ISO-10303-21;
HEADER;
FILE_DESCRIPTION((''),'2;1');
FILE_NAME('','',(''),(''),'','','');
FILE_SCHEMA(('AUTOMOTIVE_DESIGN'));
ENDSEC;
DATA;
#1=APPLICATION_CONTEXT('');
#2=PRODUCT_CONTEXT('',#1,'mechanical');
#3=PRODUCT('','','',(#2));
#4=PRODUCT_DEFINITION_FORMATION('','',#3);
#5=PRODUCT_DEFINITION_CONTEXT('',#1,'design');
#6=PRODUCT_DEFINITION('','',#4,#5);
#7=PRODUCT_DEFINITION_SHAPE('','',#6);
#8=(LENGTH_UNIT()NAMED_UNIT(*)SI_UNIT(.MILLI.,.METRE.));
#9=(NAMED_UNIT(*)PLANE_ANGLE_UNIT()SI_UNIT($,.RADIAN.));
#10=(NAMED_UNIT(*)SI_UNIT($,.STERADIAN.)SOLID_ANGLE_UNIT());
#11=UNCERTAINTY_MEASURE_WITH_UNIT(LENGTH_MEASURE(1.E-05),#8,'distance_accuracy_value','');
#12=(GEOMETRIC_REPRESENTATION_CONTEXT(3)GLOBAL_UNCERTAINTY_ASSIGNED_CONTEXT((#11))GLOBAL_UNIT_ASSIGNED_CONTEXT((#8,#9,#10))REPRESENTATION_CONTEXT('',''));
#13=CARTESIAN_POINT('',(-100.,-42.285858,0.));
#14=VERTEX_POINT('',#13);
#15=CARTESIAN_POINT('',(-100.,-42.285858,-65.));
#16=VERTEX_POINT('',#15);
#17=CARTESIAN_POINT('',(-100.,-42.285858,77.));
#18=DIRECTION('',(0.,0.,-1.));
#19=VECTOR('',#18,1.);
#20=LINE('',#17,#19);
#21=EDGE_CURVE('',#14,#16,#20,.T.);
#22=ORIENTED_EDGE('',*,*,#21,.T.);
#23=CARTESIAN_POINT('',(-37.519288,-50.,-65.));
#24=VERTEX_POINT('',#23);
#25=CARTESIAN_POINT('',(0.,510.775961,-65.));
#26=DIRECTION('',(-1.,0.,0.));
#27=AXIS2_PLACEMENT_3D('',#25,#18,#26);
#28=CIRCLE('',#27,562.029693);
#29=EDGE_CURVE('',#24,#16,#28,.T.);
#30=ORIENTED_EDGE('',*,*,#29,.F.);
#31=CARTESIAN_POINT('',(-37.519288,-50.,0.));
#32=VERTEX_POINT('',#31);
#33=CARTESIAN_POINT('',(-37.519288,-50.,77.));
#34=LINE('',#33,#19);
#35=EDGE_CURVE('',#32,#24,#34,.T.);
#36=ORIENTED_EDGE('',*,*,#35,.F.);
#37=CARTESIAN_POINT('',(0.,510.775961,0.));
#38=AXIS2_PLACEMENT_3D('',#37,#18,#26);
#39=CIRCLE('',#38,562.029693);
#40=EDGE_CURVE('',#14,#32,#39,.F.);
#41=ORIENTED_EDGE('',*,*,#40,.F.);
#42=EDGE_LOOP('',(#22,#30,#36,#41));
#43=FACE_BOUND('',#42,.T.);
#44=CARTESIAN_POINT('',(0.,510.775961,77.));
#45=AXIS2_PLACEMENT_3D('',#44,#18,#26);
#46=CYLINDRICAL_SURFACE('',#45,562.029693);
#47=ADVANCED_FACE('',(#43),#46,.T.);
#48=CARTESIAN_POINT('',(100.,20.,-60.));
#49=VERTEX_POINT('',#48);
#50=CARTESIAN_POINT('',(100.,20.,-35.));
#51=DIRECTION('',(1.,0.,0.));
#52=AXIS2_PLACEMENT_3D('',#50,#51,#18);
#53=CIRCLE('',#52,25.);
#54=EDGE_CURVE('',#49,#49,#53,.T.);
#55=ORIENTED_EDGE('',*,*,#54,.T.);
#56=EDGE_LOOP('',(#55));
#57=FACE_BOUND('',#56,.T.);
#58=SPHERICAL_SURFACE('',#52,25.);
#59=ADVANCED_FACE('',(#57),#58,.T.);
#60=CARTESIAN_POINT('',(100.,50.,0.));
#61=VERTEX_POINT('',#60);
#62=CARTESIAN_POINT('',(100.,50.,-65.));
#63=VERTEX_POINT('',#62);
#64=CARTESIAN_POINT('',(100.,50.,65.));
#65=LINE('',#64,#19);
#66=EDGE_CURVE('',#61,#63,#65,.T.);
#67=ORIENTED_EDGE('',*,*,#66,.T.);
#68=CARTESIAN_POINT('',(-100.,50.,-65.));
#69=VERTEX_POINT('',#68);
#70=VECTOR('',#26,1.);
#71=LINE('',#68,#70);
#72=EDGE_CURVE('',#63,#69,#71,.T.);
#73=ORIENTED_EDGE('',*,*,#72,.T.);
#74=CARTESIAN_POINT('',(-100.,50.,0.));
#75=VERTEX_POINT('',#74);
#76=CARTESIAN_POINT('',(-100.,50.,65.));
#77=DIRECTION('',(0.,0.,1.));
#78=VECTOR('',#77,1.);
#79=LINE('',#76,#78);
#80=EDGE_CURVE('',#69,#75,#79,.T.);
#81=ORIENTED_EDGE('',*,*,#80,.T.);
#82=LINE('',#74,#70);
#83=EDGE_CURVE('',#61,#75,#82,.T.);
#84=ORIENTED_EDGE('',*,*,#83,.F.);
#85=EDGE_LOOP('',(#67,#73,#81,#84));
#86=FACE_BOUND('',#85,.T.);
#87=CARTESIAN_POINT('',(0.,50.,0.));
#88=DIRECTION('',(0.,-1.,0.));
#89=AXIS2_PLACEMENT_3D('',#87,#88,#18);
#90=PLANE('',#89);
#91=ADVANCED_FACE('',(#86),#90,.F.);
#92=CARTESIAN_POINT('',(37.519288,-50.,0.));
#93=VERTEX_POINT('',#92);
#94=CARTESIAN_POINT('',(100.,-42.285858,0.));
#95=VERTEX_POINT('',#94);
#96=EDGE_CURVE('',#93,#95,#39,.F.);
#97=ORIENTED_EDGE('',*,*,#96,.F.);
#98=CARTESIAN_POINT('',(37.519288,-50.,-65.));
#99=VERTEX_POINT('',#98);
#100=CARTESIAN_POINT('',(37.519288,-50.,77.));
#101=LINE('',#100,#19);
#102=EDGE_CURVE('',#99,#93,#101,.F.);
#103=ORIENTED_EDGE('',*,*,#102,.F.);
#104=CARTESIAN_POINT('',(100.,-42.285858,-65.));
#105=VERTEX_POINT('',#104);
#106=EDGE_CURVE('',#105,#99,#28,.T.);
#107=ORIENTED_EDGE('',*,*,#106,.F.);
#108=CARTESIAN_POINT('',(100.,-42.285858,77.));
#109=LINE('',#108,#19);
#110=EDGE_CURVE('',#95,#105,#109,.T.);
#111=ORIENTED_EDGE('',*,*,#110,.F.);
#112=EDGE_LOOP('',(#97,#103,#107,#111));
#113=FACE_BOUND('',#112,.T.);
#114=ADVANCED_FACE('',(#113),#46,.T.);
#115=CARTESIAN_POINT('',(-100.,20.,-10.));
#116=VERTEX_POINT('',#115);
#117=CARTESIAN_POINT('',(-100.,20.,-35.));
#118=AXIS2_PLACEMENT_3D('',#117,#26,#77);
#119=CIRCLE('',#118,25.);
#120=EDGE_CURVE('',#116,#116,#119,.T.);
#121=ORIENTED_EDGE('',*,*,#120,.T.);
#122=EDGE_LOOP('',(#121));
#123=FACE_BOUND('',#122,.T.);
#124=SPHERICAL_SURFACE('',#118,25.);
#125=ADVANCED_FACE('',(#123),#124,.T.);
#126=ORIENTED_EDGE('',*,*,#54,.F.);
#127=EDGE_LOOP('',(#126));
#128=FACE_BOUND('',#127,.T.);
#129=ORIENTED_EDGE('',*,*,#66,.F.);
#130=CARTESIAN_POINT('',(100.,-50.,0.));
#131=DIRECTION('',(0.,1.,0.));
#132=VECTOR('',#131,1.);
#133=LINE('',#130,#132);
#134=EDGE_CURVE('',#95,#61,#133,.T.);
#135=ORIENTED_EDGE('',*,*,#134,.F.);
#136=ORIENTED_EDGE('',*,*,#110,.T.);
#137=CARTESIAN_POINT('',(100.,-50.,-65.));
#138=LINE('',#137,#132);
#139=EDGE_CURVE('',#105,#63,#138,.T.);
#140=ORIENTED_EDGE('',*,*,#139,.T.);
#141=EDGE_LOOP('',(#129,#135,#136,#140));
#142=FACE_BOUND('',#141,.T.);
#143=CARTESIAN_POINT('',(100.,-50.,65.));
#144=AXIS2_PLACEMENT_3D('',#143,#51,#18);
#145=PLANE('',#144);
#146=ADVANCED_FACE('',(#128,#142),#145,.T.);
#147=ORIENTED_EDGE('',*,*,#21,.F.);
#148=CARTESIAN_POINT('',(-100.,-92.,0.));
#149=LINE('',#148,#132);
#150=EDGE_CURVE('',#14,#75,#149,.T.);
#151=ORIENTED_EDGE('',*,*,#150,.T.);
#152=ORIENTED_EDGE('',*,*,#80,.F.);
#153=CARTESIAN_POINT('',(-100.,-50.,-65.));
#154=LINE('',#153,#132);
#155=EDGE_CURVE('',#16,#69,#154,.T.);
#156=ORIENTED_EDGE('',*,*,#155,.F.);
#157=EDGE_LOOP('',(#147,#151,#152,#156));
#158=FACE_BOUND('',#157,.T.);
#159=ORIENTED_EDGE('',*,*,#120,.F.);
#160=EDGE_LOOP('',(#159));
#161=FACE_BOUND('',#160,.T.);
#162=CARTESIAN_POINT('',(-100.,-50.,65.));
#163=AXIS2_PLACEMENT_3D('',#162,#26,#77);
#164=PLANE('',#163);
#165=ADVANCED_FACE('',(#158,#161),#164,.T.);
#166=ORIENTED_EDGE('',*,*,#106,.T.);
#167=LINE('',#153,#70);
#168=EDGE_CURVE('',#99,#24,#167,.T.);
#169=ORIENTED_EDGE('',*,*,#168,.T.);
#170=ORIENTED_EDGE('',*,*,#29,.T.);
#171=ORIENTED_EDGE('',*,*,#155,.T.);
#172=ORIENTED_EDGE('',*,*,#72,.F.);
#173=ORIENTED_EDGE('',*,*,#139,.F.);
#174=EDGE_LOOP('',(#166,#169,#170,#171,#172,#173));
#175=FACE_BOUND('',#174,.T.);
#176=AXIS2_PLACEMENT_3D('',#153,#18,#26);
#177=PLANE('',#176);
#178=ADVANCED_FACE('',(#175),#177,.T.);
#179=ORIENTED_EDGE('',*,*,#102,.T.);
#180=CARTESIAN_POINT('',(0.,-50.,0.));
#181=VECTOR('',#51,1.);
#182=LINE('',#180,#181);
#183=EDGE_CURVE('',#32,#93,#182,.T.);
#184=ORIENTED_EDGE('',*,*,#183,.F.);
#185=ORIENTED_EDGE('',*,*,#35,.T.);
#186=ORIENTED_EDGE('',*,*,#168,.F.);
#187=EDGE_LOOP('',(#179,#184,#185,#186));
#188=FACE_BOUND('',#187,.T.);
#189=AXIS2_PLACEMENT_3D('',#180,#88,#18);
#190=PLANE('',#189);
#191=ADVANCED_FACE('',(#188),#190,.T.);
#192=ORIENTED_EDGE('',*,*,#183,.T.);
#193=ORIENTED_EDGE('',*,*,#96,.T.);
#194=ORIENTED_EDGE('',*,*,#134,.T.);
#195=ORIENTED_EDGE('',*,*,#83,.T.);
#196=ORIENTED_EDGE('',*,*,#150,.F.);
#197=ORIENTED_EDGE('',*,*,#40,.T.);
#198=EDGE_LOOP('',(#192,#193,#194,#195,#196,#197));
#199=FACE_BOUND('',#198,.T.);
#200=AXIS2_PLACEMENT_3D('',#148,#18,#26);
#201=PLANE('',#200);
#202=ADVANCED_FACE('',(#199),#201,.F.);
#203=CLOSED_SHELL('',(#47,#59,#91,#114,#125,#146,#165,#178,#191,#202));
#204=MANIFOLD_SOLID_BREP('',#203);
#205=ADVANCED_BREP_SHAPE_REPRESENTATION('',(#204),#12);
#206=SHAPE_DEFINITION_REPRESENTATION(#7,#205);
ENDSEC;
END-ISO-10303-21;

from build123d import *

# Parameters (mm, degrees)
BOSS_EXTRUDE1_DEPTH      = 50
BOSS_EXTRUDE1_DEPTH_BACK = 50
SKETCH2_W                = 200
SKETCH2_H                = 130
SKETCH4_R                = 5
BOSS_EXTRUDE2_DEPTH      = 20
CUT_EXTRUDE1_DEPTH       = 142
SKETCH8_W                = 200.147061324
SKETCH8_H                = 101.72915409
CUT_EXTRUDE2_DEPTH       = 142


with BuildPart() as part:
    # Sketch2 → Boss-Extrude1 (new, two sides: drawn at the far end of the back side and taken through both)
    with BuildSketch(Plane(origin=(0, 0, 0), x_dir=(1, 0, 0), z_dir=(0, 1, 0)).offset(-BOSS_EXTRUDE1_DEPTH_BACK)):
        Rectangle(SKETCH2_W, SKETCH2_H)
    extrude(amount=BOSS_EXTRUDE1_DEPTH + BOSS_EXTRUDE1_DEPTH_BACK)

    # Sketch4 → Boss-Extrude2 (add)
    with BuildSketch(Plane.XY.offset(65)):
        Circle(SKETCH4_R)
    extrude(amount=BOSS_EXTRUDE2_DEPTH)

    # Sketch6 → Revolve1 (revolve)
    with BuildSketch(Plane.ZY.offset(100)):
        with BuildLine():
            Line((-35, -5), (-35, 45))
            ThreePointArc((-35, 45), (-10, 20), (-35, -5))
        make_face()
    revolve1 = revolve(axis=Axis((-100, -5, -35), (0, 1, 0)))

    # Mirror1: Revolve1 across plane
    add(revolve1.mirror(Plane(origin=(0, 0, 0), x_dir=(0, 0, 1), z_dir=(1, 0, 0))))

    # Sketch7 → Cut-Extrude1 (cut)
    with BuildSketch(Plane(origin=(0, 0, -65), x_dir=(-1, 0, 0), z_dir=(0, 0, -1))):
        with BuildLine():
            ThreePointArc((-37.519288456, -50), (-68.867740428, -47.018454326), (-100, -42.285857823))
            Line((-100, -42.285857823), (-100, -50))
            Line((-100, -50), (-37.519288456, -50))
        make_face()
        with BuildLine():
            Line((100, -50), (100, -42.285857823))
            ThreePointArc((100, -42.285857823), (68.867740428, -47.018454326), (37.519288456, -50))
            Line((37.519288456, -50), (100, -50))
        make_face()
    extrude(amount=-CUT_EXTRUDE1_DEPTH, mode=Mode.SUBTRACT)

    # Sketch8 → Cut-Extrude2 (cut)
    with BuildSketch(Plane(origin=(0, 50, 0), x_dir=(1, 0, 0), z_dir=(0, 1, 0))):
        with Locations((0.073530662, -50.864577045)):
            Rectangle(SKETCH8_W, SKETCH8_H)
    extrude(amount=-CUT_EXTRUDE2_DEPTH, mode=Mode.SUBTRACT)


solid = part.part
